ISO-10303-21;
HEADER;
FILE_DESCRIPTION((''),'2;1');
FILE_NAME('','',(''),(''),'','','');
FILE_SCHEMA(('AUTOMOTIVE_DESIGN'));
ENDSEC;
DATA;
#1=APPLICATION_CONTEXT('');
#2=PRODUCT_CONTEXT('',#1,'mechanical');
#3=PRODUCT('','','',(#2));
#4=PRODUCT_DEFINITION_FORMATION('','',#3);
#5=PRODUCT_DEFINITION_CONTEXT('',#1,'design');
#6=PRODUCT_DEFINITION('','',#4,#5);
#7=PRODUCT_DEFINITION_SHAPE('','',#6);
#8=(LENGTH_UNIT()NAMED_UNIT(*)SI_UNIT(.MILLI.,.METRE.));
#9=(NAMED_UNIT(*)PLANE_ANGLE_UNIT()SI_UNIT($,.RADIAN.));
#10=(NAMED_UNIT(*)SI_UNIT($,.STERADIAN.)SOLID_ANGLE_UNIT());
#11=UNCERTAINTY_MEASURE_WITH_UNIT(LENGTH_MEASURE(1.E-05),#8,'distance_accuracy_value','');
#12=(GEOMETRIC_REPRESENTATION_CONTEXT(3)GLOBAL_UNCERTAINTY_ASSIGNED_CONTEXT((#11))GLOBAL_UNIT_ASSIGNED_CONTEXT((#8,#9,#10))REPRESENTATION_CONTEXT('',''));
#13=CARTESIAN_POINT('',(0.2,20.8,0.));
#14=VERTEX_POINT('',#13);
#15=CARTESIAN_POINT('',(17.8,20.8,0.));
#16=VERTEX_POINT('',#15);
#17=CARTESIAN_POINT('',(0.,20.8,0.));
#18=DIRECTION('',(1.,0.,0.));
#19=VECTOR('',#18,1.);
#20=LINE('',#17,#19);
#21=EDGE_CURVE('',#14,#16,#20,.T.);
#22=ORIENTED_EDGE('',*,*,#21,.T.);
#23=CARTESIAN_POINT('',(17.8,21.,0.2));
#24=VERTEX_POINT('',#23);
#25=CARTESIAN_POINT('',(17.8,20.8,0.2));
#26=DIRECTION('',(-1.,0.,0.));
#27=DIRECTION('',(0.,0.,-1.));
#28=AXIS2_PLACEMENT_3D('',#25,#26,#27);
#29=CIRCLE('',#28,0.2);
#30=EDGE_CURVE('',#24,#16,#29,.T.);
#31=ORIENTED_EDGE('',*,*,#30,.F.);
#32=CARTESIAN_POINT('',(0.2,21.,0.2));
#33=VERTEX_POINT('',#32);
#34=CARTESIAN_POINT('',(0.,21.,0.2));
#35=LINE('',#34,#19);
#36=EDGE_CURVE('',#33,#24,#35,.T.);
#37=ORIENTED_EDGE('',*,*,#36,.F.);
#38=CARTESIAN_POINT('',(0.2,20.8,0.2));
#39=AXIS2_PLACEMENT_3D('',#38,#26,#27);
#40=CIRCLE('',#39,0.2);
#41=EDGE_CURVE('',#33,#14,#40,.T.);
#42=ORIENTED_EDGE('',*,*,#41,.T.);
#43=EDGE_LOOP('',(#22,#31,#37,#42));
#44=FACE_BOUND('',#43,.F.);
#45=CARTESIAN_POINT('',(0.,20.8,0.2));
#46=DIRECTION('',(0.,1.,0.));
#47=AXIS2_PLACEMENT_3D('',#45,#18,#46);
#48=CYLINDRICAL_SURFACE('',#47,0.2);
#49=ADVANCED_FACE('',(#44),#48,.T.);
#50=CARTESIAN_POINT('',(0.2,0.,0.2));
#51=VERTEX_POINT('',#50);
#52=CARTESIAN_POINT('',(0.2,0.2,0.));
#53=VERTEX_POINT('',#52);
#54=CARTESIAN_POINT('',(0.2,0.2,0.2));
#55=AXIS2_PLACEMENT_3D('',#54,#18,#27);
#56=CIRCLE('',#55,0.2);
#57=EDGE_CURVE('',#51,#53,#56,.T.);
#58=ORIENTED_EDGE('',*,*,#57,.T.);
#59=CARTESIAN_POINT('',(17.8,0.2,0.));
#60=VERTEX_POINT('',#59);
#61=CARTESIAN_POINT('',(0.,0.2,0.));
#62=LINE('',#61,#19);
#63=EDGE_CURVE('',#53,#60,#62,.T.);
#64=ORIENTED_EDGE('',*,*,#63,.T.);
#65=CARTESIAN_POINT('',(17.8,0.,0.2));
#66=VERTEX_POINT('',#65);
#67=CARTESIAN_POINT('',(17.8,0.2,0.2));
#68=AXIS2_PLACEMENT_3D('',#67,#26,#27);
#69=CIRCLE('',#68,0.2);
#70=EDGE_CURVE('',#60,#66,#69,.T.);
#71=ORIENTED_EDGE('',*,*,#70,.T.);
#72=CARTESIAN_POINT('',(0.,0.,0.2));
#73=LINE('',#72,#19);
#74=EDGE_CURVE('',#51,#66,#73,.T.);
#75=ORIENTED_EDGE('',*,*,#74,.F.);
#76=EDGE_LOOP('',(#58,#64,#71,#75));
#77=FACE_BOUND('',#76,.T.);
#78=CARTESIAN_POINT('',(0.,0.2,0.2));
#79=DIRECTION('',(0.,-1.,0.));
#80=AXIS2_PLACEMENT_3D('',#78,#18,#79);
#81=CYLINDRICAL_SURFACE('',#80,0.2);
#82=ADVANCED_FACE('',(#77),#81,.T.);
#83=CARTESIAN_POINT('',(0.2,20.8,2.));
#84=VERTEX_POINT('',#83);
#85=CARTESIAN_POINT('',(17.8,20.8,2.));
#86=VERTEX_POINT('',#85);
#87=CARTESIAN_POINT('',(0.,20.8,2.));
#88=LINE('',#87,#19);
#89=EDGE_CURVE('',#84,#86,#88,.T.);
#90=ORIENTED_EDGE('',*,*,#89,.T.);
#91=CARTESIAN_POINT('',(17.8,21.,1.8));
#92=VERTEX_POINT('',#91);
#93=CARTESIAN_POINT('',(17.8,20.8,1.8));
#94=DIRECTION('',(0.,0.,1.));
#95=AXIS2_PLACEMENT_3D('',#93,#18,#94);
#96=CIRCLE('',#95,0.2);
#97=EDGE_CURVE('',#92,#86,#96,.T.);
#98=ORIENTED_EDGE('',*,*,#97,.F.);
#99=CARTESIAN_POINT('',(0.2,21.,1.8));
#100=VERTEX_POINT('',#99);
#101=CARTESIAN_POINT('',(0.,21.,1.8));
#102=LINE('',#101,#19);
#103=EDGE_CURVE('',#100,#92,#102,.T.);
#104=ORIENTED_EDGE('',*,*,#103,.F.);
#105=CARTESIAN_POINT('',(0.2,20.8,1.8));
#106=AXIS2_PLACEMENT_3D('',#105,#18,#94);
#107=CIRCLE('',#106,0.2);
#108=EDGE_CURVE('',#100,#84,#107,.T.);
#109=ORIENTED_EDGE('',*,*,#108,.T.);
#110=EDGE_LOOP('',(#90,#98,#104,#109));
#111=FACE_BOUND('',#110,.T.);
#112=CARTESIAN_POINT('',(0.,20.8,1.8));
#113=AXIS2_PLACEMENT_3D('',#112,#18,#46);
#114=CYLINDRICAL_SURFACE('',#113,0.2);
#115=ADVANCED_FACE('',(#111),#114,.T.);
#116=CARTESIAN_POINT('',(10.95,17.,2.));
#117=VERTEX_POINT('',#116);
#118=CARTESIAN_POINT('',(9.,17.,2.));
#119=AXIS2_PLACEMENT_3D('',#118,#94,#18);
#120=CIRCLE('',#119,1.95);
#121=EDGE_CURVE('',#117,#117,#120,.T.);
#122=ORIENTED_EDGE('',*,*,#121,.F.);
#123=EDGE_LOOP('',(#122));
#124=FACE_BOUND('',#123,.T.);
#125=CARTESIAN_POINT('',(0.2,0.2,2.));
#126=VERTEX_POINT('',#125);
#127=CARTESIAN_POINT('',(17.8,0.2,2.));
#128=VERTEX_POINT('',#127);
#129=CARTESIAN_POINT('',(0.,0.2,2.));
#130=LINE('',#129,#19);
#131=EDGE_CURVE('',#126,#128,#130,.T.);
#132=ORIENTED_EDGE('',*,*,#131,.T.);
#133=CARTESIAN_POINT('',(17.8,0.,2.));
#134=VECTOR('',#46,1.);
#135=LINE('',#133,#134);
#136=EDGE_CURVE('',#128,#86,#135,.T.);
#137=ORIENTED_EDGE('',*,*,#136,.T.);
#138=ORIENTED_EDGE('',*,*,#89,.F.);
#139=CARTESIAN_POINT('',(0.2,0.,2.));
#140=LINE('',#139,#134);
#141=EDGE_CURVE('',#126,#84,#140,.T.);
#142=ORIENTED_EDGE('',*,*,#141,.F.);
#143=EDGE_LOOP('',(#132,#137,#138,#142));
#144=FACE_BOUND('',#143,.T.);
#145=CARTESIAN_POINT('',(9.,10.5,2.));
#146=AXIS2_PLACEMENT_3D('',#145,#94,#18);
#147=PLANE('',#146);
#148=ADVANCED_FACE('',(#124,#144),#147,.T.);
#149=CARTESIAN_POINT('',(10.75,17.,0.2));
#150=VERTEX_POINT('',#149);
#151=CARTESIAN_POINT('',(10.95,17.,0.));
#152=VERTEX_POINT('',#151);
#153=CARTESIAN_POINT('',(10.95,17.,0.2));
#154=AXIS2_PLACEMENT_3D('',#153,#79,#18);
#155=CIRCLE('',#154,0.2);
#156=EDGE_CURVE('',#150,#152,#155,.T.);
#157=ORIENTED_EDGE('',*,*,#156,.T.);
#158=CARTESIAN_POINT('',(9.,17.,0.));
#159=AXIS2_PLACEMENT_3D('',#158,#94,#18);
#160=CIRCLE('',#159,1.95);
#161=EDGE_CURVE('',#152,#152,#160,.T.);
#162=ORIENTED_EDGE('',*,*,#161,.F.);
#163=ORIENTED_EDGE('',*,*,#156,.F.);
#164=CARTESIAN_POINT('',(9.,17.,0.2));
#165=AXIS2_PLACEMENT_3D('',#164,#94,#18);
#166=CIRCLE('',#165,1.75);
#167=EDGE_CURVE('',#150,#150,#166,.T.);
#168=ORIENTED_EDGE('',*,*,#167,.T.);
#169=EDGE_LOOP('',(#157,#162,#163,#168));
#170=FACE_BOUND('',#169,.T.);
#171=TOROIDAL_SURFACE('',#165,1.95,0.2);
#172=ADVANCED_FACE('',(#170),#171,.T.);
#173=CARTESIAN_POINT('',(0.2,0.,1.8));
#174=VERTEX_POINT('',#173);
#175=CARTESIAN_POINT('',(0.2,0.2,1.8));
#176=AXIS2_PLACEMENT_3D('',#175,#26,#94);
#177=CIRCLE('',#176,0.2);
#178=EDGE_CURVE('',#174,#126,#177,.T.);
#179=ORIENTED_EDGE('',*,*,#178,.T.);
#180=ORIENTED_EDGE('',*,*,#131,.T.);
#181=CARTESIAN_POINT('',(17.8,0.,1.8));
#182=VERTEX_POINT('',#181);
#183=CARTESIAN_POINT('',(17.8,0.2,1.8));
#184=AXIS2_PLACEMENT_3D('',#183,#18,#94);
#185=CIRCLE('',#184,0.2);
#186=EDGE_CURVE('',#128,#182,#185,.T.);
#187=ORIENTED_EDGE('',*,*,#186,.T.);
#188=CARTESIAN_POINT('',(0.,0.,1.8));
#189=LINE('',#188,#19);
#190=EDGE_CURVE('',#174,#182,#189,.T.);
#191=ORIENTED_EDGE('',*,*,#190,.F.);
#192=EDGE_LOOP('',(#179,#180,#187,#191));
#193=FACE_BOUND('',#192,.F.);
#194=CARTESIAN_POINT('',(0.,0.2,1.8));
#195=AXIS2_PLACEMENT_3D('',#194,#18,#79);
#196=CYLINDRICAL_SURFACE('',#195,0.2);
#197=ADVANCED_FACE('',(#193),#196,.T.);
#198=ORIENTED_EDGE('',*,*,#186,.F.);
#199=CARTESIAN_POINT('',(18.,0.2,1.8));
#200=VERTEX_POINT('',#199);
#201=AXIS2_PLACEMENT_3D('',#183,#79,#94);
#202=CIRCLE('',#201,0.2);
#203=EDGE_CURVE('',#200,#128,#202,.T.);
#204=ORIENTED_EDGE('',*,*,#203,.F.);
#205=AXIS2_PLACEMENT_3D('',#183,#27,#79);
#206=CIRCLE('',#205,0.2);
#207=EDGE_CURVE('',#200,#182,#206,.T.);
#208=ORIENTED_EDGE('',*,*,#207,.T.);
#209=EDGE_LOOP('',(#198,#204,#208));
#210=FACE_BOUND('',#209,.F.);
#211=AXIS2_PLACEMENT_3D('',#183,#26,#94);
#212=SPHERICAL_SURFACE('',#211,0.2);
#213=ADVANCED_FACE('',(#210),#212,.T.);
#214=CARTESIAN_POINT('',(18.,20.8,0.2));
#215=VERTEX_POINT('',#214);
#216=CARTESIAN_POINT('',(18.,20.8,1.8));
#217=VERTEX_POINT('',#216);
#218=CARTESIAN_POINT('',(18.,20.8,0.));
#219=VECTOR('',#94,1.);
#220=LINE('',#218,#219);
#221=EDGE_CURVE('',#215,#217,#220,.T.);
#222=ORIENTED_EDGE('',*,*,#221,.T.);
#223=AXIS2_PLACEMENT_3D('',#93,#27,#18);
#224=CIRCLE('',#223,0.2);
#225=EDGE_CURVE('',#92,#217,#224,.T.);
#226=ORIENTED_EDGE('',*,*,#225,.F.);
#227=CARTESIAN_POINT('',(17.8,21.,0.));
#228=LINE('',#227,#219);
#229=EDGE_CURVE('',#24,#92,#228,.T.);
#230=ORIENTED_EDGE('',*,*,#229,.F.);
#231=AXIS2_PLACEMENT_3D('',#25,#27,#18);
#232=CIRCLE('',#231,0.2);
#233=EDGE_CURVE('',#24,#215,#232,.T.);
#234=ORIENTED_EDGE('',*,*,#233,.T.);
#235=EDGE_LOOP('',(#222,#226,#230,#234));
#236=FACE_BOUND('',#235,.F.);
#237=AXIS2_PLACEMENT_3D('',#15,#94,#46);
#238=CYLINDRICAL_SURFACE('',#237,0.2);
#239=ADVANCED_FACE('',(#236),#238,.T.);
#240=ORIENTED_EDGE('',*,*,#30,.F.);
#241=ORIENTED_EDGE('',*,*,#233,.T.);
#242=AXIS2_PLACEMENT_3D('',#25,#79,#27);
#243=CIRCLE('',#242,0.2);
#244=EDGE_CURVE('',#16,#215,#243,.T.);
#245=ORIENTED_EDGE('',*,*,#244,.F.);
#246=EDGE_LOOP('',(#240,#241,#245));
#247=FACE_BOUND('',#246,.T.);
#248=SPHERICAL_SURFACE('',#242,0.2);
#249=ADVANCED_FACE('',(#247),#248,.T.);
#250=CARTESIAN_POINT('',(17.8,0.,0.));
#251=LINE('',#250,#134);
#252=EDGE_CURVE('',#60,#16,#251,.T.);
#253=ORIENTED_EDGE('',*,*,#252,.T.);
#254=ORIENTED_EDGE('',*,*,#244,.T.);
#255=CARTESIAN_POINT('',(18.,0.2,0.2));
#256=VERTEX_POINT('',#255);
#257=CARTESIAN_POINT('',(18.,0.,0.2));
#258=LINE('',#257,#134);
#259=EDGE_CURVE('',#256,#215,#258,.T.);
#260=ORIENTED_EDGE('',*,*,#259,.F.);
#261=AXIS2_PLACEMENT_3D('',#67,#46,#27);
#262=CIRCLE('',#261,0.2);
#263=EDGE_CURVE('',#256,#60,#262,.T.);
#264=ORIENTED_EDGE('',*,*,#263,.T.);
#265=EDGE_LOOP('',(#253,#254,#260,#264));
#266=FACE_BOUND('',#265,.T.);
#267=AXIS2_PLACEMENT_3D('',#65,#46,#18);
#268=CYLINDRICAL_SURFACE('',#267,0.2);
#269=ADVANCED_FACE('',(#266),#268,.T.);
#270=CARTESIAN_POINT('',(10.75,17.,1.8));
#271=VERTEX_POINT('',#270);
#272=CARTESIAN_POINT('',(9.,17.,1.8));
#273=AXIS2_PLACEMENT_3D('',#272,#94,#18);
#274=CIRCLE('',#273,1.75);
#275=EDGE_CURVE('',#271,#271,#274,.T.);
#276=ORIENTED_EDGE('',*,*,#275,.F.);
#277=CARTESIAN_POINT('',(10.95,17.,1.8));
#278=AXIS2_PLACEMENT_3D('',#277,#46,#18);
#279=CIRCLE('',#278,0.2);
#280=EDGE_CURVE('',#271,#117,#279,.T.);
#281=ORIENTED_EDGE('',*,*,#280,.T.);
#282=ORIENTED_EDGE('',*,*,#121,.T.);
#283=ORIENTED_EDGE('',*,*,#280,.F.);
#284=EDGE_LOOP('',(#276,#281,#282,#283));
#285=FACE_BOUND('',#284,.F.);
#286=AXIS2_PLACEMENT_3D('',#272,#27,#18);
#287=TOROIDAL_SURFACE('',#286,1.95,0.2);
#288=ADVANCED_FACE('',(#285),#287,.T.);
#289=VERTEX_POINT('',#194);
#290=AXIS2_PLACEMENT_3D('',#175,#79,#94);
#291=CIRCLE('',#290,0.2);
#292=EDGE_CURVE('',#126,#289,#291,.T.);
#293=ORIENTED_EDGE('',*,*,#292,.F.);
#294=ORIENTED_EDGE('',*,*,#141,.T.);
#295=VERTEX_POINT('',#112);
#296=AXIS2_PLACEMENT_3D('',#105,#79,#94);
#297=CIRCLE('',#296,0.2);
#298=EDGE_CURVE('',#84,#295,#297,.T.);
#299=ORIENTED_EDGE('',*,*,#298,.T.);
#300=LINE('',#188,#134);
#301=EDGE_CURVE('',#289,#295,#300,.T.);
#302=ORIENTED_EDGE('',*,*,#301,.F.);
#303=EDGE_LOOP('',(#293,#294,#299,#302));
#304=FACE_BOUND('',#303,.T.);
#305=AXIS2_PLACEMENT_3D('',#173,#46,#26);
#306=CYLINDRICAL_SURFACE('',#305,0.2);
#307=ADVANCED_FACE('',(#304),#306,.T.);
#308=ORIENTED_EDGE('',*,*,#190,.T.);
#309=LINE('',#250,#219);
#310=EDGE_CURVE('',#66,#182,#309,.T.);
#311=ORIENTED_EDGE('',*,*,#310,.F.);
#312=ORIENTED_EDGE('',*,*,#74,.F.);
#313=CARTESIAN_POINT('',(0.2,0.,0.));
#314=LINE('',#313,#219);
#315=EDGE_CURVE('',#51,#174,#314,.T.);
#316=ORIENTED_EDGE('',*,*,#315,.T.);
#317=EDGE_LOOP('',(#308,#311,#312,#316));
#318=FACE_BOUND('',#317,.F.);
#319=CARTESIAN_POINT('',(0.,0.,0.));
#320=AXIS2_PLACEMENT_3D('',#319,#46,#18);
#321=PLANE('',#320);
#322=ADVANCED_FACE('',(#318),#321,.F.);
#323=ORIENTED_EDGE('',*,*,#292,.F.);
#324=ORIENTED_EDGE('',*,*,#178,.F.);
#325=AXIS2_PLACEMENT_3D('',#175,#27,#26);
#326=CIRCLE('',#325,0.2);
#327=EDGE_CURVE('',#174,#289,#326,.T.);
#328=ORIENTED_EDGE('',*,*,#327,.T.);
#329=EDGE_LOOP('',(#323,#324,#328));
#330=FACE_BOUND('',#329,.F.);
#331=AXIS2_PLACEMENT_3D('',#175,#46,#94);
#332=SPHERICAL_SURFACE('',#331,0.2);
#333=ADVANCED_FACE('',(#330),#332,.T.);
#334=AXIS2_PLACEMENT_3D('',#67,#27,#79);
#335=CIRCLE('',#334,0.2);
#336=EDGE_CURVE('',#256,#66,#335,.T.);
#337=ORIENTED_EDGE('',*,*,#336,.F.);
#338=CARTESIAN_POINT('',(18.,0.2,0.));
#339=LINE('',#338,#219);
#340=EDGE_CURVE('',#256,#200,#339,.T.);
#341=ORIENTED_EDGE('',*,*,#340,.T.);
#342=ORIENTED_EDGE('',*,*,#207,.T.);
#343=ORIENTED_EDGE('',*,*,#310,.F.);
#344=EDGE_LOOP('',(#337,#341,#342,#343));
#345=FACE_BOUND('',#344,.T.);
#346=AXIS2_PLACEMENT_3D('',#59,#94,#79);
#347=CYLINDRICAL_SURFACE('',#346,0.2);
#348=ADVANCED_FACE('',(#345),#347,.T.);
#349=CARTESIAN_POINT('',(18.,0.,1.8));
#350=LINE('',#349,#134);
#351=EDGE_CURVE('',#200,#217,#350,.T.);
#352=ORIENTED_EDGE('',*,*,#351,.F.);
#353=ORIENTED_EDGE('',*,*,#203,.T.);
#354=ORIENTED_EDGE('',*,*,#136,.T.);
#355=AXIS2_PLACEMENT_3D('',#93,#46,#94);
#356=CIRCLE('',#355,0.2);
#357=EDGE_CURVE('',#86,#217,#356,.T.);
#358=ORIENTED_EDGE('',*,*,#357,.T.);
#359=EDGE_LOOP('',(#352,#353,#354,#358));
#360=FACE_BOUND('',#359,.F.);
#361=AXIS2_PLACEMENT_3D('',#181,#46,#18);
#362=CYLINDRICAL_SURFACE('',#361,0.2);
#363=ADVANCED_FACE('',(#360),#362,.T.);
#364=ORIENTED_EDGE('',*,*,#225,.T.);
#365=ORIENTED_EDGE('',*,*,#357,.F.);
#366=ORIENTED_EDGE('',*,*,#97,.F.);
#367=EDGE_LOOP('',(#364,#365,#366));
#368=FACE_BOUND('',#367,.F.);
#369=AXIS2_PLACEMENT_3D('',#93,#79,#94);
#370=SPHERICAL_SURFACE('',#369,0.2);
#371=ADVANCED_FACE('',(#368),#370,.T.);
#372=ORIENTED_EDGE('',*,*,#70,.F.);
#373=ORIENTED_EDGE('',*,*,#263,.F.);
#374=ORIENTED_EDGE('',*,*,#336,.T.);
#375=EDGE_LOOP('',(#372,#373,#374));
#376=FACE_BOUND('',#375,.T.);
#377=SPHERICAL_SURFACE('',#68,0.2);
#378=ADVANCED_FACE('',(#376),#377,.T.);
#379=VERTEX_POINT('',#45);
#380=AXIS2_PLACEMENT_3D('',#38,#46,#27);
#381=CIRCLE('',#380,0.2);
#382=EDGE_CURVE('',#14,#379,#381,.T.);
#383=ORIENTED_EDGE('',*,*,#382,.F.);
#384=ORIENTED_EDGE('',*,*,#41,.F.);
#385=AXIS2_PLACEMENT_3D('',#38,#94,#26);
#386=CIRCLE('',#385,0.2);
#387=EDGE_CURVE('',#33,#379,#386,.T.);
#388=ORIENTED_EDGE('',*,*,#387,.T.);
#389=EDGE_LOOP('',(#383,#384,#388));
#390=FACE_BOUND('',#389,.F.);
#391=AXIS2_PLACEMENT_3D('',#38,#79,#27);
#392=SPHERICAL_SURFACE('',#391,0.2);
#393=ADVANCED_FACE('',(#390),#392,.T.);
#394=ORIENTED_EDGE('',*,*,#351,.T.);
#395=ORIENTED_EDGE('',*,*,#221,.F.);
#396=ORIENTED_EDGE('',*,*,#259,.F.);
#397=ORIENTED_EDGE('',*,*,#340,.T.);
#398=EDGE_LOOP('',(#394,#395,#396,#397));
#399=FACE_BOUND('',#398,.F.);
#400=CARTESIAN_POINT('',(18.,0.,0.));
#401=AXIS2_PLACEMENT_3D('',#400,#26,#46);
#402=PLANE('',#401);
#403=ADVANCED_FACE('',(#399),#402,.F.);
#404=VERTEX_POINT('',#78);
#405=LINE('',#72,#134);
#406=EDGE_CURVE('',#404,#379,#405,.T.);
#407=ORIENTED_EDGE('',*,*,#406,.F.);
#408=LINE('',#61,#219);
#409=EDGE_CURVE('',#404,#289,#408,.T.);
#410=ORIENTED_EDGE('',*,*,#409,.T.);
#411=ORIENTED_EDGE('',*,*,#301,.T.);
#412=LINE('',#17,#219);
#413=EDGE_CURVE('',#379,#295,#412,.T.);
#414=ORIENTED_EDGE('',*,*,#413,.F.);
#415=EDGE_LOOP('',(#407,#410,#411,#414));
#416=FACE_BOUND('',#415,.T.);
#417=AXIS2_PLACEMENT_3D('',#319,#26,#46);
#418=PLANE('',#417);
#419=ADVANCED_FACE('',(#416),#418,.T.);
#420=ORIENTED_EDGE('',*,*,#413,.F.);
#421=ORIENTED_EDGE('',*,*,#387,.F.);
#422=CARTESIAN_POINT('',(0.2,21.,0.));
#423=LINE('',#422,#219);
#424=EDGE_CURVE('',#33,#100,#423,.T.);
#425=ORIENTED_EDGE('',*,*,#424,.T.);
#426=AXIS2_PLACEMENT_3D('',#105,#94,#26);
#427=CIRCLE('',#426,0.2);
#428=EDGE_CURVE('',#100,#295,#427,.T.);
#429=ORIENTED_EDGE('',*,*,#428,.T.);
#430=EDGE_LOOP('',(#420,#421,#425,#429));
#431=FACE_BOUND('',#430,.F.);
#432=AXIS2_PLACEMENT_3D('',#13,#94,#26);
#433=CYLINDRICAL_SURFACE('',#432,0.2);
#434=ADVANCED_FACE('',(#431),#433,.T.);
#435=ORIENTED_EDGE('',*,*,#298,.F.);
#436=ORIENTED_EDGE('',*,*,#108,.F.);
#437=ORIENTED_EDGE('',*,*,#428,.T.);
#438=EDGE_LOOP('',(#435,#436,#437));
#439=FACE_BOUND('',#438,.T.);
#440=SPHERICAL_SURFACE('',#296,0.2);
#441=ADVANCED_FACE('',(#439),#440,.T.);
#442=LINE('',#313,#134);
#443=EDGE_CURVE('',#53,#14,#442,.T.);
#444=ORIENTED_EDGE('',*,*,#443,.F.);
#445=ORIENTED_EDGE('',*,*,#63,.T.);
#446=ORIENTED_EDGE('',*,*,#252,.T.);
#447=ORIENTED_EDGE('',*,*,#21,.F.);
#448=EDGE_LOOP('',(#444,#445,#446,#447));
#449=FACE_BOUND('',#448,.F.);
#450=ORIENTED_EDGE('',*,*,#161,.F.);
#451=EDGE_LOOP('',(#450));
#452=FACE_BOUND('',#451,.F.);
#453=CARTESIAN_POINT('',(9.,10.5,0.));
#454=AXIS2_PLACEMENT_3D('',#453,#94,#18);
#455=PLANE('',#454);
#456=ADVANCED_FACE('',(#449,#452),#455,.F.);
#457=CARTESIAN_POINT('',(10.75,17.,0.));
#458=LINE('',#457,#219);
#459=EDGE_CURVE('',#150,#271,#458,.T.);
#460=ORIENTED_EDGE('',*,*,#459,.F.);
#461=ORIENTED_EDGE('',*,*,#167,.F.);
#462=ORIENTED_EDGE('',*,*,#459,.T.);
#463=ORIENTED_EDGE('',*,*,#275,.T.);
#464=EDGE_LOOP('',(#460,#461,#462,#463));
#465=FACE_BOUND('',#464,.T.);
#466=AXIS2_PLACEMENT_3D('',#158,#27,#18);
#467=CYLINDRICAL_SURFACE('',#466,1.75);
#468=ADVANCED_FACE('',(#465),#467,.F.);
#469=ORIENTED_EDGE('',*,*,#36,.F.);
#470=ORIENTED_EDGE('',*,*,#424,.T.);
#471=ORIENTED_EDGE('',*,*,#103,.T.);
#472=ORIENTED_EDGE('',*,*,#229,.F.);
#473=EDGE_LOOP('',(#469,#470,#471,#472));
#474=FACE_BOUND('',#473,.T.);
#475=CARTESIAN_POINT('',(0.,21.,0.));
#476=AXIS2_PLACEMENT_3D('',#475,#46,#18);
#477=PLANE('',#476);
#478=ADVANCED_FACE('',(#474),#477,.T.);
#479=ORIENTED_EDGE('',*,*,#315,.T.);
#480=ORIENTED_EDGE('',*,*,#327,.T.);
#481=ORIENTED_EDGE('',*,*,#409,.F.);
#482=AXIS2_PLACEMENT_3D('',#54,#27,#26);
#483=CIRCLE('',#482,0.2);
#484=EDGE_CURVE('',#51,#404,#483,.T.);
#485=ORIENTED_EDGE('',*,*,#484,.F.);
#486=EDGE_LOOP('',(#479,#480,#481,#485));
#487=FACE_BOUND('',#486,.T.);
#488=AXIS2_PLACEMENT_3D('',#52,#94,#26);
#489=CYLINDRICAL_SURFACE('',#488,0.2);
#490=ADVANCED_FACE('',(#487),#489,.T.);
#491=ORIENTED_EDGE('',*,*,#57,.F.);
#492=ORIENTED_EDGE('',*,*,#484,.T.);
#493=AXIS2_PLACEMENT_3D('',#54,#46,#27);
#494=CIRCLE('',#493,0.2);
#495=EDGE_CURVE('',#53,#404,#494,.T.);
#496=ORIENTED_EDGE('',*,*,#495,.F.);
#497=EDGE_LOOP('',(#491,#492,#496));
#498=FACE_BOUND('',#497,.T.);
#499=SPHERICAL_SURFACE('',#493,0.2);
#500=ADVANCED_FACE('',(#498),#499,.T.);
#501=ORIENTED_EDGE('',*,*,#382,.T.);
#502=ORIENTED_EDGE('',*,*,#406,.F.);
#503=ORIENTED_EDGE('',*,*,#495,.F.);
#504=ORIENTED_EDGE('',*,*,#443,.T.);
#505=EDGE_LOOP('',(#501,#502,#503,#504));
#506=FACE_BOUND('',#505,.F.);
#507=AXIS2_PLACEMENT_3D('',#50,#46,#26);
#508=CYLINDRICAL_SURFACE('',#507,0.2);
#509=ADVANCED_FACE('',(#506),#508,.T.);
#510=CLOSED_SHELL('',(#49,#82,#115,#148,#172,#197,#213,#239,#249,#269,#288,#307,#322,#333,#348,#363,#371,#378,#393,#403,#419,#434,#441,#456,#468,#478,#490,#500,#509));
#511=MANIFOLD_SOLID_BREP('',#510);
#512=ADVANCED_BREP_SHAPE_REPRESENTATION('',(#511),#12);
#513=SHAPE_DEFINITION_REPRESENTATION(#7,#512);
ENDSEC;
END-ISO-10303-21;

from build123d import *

# Parameters (mm, degrees)
F0_W     = 18
F0_H     = 21
F0_R     = 1.75
F1_DEPTH = 2
F2_R     = 0.2


with BuildPart() as f1:
    # F0 (on Top) → F1 (new body)
    with BuildSketch(Plane.XY):
        with Locations((9, 10.5)):
            Rectangle(F0_W, F0_H)
        with Locations((9, 17)):
            Circle(F0_R, mode=Mode.SUBTRACT)
    extrude(amount=F1_DEPTH)

    # F2
    f2_edges = [f1.edges().sort_by_distance(p)[0] for p in [
        (0, 10.5, 2),
        (9, 0, 2),
        (18, 10.5, 2),
        (9, 21, 2),
        (7.25, 17, 2),
        (0, 10.5, 0),
        (9, 0, 0),
        (18, 10.5, 0),
        (9, 21, 0),
        (7.25, 17, 0),
        (0, 21, 1),
        (0, 0, 1),
        (18, 0, 1),
        (18, 21, 1),
    ]]
    fillet(f2_edges, radius=F2_R)


solid = f1.part
